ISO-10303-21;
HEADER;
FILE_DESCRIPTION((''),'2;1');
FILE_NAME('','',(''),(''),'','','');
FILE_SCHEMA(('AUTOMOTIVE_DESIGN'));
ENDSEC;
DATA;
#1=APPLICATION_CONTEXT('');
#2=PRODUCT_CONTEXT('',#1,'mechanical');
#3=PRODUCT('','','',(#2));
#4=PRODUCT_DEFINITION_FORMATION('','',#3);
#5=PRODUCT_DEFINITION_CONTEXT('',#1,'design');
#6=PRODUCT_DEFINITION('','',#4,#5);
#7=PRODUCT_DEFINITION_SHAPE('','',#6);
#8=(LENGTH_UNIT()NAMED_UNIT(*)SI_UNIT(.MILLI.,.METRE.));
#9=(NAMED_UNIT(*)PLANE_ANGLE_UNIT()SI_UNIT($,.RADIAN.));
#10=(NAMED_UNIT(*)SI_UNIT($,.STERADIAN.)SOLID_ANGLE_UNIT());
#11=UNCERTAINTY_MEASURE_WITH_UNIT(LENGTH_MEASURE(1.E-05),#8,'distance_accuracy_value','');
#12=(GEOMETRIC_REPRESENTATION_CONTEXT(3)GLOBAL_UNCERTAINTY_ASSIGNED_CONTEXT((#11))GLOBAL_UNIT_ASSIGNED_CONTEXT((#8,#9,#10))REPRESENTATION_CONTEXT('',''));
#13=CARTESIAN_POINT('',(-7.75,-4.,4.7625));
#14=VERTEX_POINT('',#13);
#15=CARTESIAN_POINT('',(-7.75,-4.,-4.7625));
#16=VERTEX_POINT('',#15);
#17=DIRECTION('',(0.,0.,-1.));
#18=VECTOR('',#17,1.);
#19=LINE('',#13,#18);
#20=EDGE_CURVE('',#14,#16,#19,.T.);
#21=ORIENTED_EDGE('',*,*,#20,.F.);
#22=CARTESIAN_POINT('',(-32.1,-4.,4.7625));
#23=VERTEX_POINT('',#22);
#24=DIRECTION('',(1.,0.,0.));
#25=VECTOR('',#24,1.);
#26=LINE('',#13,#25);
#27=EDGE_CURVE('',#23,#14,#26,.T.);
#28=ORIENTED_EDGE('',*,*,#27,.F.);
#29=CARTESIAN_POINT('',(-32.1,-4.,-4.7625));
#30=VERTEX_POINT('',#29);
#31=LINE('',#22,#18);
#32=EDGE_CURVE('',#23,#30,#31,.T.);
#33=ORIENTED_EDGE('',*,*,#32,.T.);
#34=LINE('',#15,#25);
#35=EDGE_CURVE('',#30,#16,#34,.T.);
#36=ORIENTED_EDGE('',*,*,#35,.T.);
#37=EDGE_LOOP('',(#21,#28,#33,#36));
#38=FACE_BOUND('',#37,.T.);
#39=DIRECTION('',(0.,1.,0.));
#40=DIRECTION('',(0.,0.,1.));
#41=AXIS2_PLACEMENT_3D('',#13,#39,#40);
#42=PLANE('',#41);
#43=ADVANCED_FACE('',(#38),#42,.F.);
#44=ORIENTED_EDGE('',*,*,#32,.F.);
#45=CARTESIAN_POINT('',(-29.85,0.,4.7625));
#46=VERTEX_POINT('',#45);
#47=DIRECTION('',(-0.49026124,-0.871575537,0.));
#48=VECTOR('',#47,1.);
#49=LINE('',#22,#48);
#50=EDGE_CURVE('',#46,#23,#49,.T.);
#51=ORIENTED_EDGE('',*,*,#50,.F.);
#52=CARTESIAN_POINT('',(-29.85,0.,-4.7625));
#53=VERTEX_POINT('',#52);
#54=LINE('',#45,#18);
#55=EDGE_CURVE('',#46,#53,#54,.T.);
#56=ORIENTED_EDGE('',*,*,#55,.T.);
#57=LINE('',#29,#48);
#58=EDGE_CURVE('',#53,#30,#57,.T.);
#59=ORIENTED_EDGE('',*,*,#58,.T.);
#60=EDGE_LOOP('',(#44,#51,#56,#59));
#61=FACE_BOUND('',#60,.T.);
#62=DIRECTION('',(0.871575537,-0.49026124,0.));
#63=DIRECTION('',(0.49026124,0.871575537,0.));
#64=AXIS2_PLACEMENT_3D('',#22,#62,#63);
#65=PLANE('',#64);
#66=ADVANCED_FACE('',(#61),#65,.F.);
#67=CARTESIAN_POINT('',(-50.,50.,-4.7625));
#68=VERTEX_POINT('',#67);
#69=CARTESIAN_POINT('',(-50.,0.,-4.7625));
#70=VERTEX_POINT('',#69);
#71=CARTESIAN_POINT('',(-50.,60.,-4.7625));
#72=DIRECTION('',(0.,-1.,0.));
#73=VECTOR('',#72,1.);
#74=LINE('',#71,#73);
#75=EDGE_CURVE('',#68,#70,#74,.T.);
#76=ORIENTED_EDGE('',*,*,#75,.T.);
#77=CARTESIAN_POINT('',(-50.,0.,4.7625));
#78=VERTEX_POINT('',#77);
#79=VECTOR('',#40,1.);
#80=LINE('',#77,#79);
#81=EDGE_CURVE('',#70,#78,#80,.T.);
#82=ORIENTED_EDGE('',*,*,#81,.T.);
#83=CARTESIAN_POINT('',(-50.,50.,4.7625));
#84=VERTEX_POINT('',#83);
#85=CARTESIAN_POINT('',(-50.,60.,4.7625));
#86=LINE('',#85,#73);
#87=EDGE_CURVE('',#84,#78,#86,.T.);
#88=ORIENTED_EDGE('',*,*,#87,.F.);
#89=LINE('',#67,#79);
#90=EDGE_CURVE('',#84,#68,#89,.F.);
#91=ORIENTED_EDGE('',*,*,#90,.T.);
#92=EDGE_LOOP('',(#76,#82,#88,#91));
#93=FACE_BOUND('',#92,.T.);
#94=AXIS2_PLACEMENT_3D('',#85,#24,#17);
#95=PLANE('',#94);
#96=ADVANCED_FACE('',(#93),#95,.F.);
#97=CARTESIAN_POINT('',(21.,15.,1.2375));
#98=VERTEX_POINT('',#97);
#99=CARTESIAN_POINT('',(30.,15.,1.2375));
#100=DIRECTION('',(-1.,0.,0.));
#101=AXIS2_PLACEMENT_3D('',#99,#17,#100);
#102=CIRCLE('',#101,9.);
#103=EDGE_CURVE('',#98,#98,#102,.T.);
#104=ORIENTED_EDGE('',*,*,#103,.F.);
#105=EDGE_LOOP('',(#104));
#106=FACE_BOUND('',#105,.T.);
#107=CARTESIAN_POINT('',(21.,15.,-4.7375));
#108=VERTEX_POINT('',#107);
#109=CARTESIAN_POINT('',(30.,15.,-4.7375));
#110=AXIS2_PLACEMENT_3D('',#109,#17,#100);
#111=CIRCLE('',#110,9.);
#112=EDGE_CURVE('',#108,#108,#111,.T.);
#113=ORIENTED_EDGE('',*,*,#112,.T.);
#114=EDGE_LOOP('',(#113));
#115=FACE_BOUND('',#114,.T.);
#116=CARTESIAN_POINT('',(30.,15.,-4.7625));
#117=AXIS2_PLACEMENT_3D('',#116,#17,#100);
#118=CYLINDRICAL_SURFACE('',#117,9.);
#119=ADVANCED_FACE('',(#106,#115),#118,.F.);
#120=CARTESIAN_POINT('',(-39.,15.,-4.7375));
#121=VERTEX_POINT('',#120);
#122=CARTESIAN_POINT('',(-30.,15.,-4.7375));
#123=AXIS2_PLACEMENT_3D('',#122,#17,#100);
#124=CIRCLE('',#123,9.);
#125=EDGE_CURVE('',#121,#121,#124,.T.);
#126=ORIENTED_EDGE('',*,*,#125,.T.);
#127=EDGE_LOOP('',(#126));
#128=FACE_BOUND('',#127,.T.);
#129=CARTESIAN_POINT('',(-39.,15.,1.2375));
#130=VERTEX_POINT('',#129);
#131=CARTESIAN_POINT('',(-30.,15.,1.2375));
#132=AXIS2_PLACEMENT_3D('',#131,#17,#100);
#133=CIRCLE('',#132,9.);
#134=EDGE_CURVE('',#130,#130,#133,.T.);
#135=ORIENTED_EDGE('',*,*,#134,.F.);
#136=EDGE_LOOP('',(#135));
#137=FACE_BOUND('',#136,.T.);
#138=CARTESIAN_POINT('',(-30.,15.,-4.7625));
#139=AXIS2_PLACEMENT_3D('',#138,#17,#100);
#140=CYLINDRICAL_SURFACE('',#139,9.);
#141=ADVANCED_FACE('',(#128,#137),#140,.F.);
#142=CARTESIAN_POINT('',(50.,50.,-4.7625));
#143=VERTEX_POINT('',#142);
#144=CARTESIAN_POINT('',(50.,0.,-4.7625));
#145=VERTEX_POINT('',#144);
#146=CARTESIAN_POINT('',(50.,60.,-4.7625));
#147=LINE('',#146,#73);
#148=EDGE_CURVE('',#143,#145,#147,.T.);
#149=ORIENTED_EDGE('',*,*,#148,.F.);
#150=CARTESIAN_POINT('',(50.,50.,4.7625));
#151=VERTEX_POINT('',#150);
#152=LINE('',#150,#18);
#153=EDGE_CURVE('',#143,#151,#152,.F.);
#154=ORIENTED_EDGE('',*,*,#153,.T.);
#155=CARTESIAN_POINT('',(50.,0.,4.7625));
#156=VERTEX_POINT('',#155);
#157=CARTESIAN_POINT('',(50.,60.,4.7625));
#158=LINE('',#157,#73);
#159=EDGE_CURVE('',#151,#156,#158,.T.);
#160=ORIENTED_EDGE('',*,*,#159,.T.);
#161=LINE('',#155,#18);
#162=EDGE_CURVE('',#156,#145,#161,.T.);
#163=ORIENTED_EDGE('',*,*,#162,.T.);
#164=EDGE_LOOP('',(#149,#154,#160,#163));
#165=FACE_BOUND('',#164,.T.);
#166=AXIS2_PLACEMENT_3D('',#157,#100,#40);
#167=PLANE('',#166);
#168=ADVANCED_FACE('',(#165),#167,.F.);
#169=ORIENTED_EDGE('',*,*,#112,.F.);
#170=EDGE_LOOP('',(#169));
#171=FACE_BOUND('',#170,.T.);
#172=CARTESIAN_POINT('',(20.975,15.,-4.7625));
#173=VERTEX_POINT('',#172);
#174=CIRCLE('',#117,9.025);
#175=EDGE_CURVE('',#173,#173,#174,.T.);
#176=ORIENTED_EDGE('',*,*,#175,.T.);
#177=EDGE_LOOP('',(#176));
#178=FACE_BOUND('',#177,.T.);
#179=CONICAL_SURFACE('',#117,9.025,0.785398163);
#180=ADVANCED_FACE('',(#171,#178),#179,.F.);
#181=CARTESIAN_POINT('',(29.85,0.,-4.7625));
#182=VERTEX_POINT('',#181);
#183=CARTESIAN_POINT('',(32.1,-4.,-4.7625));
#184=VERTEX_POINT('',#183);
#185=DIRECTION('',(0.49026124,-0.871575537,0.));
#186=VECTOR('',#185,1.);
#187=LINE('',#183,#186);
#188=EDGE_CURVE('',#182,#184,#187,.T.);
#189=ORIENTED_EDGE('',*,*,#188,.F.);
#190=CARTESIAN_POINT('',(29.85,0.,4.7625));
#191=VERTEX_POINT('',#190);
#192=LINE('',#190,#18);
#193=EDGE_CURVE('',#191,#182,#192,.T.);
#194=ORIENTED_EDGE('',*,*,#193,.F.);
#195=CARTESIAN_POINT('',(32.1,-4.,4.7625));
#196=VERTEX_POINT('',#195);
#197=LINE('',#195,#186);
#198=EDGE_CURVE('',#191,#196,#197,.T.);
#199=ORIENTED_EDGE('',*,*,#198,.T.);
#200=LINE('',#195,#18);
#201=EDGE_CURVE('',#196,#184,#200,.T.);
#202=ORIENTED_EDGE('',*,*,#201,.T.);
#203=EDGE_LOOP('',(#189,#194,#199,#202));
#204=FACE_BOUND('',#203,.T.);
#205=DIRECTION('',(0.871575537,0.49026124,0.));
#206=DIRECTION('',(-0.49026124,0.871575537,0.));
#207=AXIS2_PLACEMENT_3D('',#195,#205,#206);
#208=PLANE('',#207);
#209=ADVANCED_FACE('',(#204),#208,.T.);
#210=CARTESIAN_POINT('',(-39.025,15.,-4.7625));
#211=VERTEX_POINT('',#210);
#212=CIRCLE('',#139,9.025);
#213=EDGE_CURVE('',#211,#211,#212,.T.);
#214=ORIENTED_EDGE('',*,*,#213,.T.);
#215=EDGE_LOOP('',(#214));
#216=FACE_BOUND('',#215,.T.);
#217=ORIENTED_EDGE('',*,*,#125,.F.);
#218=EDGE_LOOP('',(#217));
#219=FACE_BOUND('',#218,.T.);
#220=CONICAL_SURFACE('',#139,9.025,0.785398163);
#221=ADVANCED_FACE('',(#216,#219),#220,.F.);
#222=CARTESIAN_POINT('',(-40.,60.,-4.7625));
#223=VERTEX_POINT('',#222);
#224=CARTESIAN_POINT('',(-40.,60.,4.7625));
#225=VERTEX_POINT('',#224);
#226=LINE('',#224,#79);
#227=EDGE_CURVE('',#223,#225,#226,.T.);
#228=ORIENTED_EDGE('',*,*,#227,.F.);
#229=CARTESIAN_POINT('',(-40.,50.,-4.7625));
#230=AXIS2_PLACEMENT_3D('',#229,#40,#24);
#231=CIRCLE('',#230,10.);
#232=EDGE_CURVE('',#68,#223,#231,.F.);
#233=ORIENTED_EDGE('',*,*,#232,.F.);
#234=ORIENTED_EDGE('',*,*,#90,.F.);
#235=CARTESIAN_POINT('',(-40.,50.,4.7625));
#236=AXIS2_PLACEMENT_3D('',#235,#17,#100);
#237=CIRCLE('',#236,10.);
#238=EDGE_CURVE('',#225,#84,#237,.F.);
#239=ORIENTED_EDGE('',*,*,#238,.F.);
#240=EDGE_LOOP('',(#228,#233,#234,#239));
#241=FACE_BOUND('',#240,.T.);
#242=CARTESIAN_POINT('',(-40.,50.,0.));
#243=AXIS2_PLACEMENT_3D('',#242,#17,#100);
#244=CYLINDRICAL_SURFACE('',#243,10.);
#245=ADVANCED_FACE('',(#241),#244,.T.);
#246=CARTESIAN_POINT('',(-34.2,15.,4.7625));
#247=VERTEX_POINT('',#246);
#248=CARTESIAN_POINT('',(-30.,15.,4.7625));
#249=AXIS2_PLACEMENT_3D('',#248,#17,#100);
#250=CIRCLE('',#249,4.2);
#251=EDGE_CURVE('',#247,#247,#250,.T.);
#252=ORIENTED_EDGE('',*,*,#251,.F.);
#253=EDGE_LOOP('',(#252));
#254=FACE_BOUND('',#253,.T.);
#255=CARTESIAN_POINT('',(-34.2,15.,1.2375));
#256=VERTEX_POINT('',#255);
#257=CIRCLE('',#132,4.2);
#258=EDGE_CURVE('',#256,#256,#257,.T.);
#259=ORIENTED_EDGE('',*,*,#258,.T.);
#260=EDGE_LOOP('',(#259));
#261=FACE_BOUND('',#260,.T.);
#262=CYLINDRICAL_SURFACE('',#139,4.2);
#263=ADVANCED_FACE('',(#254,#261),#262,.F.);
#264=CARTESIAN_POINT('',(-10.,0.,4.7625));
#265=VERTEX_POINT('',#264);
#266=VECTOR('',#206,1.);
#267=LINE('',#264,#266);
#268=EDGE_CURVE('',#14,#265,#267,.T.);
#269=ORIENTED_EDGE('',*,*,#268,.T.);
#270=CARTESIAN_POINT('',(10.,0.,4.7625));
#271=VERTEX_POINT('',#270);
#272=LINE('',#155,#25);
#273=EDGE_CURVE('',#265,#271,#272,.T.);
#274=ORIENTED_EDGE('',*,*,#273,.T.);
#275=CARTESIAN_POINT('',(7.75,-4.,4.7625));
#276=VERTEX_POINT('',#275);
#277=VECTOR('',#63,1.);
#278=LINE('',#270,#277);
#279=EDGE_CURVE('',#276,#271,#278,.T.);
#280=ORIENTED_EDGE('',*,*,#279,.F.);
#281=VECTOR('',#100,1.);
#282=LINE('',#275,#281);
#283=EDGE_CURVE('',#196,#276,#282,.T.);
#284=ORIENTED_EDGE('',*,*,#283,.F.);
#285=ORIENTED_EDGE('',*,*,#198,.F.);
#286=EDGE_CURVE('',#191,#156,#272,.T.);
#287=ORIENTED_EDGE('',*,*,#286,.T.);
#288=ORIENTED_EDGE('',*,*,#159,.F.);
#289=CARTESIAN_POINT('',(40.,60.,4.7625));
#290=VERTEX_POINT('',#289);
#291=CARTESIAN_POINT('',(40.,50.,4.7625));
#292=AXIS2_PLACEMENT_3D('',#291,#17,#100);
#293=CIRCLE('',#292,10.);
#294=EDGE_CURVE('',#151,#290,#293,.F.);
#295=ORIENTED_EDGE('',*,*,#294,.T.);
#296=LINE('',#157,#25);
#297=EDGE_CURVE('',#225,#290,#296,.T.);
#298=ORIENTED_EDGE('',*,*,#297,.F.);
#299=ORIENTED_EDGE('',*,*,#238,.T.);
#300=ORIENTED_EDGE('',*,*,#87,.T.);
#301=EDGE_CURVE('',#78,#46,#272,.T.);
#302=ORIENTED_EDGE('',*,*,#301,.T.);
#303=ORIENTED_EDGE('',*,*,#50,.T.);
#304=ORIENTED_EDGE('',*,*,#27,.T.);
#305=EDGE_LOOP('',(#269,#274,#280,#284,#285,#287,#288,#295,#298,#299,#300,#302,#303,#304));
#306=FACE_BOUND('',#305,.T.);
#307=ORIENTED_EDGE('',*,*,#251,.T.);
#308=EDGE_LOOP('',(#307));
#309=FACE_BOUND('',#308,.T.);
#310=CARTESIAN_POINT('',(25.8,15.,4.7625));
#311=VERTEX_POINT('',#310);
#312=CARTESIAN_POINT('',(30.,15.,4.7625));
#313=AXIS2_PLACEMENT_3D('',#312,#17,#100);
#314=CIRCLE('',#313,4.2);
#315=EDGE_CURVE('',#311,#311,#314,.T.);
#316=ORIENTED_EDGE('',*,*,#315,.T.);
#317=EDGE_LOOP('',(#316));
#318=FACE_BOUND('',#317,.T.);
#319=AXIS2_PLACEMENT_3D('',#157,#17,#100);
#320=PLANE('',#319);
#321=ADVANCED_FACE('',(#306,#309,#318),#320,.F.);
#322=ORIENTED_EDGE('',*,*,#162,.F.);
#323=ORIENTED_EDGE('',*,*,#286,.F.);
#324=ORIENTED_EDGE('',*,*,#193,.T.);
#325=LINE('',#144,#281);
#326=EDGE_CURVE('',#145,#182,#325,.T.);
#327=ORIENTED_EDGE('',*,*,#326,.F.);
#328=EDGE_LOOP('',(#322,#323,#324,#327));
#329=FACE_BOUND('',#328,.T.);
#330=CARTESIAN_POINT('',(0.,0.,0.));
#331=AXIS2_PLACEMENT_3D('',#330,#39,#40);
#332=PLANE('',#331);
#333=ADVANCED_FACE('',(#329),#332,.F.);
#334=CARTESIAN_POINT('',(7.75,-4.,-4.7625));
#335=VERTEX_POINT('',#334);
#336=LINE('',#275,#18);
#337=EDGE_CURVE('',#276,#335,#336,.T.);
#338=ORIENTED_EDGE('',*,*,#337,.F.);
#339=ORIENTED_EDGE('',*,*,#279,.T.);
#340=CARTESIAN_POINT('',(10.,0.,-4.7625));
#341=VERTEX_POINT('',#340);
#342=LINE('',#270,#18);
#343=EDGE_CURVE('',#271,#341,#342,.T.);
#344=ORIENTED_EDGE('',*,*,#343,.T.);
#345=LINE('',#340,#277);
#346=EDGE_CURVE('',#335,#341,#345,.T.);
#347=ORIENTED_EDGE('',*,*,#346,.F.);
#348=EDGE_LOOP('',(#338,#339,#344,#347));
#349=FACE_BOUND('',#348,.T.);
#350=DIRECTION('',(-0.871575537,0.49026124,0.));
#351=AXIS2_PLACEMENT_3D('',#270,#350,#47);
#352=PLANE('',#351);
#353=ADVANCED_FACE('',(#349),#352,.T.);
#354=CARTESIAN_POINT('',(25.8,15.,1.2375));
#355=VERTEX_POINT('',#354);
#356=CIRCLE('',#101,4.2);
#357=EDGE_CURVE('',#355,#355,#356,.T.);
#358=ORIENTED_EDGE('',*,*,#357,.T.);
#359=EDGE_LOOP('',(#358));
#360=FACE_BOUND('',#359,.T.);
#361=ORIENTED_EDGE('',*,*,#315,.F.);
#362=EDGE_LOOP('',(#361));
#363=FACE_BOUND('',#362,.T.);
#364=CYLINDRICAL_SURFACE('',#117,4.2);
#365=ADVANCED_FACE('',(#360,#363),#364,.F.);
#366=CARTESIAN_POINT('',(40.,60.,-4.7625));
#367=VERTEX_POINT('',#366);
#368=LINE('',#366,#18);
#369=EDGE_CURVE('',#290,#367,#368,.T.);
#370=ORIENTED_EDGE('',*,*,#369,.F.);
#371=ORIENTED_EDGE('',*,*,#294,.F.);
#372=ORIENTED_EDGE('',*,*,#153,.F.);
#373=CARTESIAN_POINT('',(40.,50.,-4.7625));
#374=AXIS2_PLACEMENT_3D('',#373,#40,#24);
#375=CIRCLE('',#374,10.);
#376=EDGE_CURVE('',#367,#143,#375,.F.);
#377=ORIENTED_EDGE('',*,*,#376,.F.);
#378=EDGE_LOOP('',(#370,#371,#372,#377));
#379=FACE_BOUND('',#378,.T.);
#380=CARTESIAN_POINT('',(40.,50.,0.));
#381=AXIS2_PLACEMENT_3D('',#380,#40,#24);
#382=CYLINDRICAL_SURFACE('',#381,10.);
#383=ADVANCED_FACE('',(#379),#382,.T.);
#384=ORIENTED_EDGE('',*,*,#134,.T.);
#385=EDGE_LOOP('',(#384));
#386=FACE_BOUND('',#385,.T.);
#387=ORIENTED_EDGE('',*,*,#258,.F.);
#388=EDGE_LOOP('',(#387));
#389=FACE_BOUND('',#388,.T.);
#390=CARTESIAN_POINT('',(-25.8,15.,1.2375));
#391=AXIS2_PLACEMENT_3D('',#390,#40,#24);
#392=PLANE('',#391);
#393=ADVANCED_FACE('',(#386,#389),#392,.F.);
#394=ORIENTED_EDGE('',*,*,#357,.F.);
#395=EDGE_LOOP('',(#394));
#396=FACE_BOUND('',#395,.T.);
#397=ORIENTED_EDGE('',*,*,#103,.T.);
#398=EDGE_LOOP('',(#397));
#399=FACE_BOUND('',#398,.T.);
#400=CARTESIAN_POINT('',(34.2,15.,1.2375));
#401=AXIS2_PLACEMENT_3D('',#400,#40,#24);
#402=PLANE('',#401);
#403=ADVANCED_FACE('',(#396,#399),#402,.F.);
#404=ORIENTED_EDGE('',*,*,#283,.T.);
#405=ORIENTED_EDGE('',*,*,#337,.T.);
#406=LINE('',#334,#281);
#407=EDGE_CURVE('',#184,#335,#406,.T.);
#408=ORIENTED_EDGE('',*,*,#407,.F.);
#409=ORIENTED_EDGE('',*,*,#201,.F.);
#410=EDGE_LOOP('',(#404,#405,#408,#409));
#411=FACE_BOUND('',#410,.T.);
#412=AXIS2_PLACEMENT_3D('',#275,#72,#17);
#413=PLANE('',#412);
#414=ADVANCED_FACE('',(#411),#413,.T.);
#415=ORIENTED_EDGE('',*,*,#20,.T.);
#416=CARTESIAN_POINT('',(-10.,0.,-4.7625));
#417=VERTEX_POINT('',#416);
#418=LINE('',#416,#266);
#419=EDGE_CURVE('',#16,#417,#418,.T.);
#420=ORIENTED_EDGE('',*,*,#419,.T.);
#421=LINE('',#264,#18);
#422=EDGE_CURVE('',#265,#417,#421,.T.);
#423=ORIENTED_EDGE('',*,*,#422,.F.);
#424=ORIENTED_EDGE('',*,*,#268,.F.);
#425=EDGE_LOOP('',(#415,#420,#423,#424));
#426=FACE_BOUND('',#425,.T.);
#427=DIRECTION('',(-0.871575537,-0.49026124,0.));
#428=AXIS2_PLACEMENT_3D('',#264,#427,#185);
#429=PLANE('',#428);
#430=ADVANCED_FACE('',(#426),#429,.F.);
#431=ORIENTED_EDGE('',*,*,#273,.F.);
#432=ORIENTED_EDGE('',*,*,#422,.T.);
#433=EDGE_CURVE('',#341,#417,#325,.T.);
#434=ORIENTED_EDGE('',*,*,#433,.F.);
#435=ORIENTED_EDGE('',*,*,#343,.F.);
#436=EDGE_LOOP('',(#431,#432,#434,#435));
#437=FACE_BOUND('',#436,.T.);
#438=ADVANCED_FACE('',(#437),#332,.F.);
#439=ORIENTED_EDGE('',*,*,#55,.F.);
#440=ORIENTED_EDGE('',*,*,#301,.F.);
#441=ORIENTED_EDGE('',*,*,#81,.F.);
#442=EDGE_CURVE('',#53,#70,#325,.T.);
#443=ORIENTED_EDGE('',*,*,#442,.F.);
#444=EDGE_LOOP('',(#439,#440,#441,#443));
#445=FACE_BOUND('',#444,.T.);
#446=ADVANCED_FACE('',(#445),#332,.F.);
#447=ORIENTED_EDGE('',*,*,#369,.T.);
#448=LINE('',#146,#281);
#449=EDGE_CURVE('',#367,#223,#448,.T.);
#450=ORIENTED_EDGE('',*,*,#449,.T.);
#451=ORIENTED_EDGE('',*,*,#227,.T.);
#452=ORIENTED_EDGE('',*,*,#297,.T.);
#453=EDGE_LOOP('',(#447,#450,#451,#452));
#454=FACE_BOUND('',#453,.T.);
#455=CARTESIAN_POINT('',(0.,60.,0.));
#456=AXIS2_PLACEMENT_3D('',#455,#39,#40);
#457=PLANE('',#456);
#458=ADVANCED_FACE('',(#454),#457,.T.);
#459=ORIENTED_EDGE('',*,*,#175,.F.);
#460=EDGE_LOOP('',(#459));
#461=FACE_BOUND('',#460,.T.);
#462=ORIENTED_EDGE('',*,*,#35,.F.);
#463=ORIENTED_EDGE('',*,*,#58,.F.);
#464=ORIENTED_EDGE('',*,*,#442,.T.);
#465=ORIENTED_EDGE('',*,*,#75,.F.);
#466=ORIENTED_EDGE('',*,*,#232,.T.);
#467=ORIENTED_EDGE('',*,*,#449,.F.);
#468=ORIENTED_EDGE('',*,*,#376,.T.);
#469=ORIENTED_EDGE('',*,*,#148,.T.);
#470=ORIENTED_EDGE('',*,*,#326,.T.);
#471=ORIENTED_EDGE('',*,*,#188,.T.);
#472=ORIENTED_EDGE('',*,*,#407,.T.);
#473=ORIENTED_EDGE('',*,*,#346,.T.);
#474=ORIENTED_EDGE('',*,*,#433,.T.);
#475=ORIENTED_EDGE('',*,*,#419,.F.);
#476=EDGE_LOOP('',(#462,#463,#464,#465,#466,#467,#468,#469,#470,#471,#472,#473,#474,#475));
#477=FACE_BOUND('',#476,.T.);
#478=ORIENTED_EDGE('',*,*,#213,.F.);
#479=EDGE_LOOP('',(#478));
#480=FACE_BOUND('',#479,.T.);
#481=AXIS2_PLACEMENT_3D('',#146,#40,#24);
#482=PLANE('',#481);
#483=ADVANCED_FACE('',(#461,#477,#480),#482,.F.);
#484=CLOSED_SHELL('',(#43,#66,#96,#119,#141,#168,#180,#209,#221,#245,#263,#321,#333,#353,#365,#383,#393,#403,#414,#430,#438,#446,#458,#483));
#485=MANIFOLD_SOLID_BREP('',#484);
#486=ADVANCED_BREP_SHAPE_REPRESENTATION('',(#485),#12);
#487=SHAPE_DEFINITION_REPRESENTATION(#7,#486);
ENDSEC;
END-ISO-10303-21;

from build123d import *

# Parameters (mm, degrees)
ESBO_O1_W                                    = 100
ESBO_O1_H                                    = 9.525
RESSALTO_EXTRUS_O1_DEPTH                     = 60
RESSALTO_EXTRUS_O2_DEPTH                     = 4.7625
FILETE1_R                                    = 10
ESBO_O3_R                                    = 4
CORTE_EXTRUS_O1_DEPTH                        = 79.68116436
REBAIXO_PARA_PARAFUSO_COM_CABE_A_PAN_2_COUNT = 2
REBAIXO_PARA_PARAFUSO_COM_CABE_A_PAN_2_PITCH = 60


with BuildPart() as part:
    # Esboço1 → Ressalto-extrusão1 (new body)
    with BuildSketch(Plane(origin=(0, 0, 0), x_dir=(1, 0, 0), z_dir=(0, 1, 0))):
        Rectangle(ESBO_O1_W, ESBO_O1_H)
    extrude(amount=RESSALTO_EXTRUS_O1_DEPTH)

    # Esboço2 → Ressalto-extrusão2 (add, symmetric)
    with BuildSketch(Plane.XY):
        Polygon((-29.85, 0), (-10, 0), (-7.75, -4), (-32.1, -4), align=None)
    ressalto_extrus_o2 = extrude(amount=RESSALTO_EXTRUS_O2_DEPTH, both=True)

    # Espelhar1: Ressalto-extrusão2 across plane
    add(ressalto_extrus_o2.mirror(Plane(origin=(0, 0, 0), x_dir=(0, 0, 1), z_dir=(1, 0, 0))))

    # Filete1
    filete1_edges = [part.edges().sort_by_distance(p)[0] for p in [
        (50, 60, 0),
        (-50, 60, 0),
    ]]
    fillet(filete1_edges, radius=FILETE1_R)

    # Esboço3 → Corte-extrusão1 (cut, through all)
    with BuildSketch(Plane.XY.offset(4.7625)):
        with Locations((-30, 15)):
            Circle(ESBO_O3_R)
        with Locations((30, 15)):
            Circle(ESBO_O3_R)
    extrude(amount=-CORTE_EXTRUS_O1_DEPTH, mode=Mode.SUBTRACT)

    # Esboço9 → Rebaixo para parafuso com cabeça panela de M82 (revolve, cut)
    with BuildSketch(Plane(origin=(30, 15, -4.7625), x_dir=(0, 1, 0), z_dir=(1, 0, 0))):
        Polygon((0, 0), (0, 22.5736146), (4.2, 20.05), (4.2, 6), (9, 6), (9, 0.025), (9.025, 0), align=None)
    rebaixo_para_parafuso_com_cabe_a_panela = revolve(axis=Axis((30, 15, -11.1125), (0, 0, 1)), mode=Mode.SUBTRACT)

    # Rebaixo para parafuso com cabe_a pan 2: Rebaixo para parafuso com cabeça panela de M82 ×2
    with Locations(*[(-i * REBAIXO_PARA_PARAFUSO_COM_CABE_A_PAN_2_PITCH, 0, 0) for i in range(1, REBAIXO_PARA_PARAFUSO_COM_CABE_A_PAN_2_COUNT)]):
        add(rebaixo_para_parafuso_com_cabe_a_panela, mode=Mode.SUBTRACT)


solid = part.part
